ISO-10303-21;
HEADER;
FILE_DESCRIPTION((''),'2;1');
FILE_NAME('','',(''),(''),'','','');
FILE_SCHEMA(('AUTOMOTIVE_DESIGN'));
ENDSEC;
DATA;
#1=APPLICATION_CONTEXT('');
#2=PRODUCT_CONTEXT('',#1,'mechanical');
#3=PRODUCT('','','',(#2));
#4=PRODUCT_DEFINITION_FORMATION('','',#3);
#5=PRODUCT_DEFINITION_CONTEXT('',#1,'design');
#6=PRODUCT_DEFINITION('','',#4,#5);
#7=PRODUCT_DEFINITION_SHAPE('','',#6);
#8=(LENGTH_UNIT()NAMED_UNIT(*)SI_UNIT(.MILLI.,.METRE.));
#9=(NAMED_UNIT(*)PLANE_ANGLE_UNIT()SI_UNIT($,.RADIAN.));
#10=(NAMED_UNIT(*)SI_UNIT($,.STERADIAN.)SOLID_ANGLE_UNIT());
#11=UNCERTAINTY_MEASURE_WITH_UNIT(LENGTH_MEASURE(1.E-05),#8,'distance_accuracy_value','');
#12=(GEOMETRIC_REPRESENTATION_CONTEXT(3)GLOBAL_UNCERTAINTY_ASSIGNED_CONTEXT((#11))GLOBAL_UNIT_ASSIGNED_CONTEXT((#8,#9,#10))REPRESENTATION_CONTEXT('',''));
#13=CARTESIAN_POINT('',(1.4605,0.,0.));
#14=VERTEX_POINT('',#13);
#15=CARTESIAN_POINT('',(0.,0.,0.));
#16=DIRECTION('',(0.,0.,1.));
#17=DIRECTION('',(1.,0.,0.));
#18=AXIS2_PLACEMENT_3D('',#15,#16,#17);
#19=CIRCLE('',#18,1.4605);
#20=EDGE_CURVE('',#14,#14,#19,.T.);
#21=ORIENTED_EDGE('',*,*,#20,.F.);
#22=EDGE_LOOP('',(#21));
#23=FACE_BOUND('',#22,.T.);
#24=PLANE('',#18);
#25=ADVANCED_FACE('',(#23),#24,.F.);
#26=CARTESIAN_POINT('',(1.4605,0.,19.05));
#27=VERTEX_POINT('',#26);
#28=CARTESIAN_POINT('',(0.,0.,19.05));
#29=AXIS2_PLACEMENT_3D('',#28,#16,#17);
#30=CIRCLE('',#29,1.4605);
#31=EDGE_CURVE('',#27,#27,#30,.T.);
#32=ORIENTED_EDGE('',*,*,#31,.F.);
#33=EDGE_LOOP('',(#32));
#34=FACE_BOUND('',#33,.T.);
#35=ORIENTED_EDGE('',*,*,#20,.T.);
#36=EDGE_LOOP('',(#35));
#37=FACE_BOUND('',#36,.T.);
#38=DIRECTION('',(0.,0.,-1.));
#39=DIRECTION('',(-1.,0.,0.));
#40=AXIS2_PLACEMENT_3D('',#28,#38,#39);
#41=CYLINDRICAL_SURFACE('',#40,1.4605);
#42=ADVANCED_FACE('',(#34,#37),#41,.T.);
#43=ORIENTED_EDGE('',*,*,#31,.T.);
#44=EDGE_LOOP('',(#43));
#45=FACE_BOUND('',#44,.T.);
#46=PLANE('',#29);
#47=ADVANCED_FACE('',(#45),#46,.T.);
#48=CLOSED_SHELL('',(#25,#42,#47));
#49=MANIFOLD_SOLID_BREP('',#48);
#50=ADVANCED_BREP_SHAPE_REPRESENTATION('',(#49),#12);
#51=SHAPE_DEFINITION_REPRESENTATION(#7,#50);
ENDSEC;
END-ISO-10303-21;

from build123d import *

# Parameters (mm, degrees)
SKETCH1_R           = 1.4605
BOSS_EXTRUDE1_DEPTH = 19.05


with BuildPart() as part:
    # Sketch1 → Boss-Extrude1 (new body)
    with BuildSketch(Plane.XY):
        Circle(SKETCH1_R)
    extrude(amount=BOSS_EXTRUDE1_DEPTH)


solid = part.part
